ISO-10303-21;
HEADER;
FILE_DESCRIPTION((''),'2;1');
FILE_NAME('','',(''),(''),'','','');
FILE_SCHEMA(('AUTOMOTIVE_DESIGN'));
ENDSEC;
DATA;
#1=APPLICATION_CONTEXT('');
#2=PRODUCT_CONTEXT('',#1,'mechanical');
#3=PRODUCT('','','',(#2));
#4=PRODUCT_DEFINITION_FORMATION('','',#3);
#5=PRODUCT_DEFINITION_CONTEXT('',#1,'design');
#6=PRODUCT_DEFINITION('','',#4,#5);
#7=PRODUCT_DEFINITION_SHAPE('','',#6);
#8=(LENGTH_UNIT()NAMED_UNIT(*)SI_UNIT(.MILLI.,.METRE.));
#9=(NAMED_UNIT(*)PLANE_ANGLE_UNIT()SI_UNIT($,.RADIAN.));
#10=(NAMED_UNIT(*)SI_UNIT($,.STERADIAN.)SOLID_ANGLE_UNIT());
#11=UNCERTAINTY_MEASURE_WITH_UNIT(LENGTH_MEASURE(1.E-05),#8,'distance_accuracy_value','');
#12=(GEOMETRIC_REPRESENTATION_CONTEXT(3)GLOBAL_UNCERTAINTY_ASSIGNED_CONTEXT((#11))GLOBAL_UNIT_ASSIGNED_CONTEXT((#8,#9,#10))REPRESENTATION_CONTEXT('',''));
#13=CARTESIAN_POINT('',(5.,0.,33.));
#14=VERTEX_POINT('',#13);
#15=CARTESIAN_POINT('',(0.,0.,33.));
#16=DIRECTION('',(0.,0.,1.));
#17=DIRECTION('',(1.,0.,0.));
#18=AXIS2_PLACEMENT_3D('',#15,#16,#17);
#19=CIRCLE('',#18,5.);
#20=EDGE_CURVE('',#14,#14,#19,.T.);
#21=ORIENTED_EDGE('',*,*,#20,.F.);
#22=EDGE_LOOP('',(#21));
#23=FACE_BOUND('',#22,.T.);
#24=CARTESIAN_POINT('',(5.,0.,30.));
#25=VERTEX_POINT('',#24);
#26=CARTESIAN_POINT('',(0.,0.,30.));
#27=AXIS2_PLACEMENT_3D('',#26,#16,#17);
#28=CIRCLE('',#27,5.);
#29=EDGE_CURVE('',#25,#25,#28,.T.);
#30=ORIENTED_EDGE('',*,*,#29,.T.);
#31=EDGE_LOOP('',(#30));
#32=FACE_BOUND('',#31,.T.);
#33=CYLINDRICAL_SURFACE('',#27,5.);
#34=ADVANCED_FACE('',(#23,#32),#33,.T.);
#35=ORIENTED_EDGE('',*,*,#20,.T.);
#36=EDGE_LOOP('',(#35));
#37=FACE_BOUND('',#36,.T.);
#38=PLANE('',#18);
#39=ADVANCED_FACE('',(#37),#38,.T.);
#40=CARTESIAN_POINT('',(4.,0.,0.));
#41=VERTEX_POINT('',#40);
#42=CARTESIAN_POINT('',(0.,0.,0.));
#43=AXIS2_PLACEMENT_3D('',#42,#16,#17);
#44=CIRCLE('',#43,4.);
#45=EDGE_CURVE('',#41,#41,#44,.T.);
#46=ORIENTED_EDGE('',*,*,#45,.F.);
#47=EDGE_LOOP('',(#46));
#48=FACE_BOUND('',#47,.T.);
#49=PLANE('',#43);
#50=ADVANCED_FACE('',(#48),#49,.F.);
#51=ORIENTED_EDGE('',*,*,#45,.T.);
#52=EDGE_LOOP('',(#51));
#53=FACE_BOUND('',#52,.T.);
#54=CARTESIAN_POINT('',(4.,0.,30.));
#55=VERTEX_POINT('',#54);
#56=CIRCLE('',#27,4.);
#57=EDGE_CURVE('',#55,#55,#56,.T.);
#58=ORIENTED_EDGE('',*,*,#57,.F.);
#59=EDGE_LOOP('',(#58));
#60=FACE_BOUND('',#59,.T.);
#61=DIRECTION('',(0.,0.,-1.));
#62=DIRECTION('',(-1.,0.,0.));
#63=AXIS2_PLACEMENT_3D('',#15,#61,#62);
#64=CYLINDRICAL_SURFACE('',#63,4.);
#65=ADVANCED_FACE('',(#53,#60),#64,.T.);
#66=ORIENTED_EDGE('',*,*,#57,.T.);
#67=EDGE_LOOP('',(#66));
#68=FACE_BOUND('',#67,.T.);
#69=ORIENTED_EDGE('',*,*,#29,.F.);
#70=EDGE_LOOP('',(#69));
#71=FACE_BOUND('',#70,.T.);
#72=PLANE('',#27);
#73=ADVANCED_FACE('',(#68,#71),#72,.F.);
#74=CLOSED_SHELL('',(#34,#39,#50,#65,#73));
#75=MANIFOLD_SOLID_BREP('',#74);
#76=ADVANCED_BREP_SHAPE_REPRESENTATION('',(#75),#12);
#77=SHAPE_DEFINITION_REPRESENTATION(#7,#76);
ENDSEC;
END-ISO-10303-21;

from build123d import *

# Parameters (mm, degrees)
SKIZZE1_R                       = 4
AUFSATZ_LINEAR_AUSTRAGEN1_DEPTH = 33
SKIZZE2_R                       = 5
AUFSATZ_LINEAR_AUSTRAGEN2_DEPTH = 3


with BuildPart() as part:
    # Skizze1 → Aufsatz-Linear austragen1 (new body)
    with BuildSketch(Plane.XY):
        Circle(SKIZZE1_R)
    extrude(amount=AUFSATZ_LINEAR_AUSTRAGEN1_DEPTH)

    # Skizze2 → Aufsatz-Linear austragen2 (add)
    with BuildSketch(Plane.XY.offset(33)):
        Circle(SKIZZE2_R)
    extrude(amount=-AUFSATZ_LINEAR_AUSTRAGEN2_DEPTH)


solid = part.part
